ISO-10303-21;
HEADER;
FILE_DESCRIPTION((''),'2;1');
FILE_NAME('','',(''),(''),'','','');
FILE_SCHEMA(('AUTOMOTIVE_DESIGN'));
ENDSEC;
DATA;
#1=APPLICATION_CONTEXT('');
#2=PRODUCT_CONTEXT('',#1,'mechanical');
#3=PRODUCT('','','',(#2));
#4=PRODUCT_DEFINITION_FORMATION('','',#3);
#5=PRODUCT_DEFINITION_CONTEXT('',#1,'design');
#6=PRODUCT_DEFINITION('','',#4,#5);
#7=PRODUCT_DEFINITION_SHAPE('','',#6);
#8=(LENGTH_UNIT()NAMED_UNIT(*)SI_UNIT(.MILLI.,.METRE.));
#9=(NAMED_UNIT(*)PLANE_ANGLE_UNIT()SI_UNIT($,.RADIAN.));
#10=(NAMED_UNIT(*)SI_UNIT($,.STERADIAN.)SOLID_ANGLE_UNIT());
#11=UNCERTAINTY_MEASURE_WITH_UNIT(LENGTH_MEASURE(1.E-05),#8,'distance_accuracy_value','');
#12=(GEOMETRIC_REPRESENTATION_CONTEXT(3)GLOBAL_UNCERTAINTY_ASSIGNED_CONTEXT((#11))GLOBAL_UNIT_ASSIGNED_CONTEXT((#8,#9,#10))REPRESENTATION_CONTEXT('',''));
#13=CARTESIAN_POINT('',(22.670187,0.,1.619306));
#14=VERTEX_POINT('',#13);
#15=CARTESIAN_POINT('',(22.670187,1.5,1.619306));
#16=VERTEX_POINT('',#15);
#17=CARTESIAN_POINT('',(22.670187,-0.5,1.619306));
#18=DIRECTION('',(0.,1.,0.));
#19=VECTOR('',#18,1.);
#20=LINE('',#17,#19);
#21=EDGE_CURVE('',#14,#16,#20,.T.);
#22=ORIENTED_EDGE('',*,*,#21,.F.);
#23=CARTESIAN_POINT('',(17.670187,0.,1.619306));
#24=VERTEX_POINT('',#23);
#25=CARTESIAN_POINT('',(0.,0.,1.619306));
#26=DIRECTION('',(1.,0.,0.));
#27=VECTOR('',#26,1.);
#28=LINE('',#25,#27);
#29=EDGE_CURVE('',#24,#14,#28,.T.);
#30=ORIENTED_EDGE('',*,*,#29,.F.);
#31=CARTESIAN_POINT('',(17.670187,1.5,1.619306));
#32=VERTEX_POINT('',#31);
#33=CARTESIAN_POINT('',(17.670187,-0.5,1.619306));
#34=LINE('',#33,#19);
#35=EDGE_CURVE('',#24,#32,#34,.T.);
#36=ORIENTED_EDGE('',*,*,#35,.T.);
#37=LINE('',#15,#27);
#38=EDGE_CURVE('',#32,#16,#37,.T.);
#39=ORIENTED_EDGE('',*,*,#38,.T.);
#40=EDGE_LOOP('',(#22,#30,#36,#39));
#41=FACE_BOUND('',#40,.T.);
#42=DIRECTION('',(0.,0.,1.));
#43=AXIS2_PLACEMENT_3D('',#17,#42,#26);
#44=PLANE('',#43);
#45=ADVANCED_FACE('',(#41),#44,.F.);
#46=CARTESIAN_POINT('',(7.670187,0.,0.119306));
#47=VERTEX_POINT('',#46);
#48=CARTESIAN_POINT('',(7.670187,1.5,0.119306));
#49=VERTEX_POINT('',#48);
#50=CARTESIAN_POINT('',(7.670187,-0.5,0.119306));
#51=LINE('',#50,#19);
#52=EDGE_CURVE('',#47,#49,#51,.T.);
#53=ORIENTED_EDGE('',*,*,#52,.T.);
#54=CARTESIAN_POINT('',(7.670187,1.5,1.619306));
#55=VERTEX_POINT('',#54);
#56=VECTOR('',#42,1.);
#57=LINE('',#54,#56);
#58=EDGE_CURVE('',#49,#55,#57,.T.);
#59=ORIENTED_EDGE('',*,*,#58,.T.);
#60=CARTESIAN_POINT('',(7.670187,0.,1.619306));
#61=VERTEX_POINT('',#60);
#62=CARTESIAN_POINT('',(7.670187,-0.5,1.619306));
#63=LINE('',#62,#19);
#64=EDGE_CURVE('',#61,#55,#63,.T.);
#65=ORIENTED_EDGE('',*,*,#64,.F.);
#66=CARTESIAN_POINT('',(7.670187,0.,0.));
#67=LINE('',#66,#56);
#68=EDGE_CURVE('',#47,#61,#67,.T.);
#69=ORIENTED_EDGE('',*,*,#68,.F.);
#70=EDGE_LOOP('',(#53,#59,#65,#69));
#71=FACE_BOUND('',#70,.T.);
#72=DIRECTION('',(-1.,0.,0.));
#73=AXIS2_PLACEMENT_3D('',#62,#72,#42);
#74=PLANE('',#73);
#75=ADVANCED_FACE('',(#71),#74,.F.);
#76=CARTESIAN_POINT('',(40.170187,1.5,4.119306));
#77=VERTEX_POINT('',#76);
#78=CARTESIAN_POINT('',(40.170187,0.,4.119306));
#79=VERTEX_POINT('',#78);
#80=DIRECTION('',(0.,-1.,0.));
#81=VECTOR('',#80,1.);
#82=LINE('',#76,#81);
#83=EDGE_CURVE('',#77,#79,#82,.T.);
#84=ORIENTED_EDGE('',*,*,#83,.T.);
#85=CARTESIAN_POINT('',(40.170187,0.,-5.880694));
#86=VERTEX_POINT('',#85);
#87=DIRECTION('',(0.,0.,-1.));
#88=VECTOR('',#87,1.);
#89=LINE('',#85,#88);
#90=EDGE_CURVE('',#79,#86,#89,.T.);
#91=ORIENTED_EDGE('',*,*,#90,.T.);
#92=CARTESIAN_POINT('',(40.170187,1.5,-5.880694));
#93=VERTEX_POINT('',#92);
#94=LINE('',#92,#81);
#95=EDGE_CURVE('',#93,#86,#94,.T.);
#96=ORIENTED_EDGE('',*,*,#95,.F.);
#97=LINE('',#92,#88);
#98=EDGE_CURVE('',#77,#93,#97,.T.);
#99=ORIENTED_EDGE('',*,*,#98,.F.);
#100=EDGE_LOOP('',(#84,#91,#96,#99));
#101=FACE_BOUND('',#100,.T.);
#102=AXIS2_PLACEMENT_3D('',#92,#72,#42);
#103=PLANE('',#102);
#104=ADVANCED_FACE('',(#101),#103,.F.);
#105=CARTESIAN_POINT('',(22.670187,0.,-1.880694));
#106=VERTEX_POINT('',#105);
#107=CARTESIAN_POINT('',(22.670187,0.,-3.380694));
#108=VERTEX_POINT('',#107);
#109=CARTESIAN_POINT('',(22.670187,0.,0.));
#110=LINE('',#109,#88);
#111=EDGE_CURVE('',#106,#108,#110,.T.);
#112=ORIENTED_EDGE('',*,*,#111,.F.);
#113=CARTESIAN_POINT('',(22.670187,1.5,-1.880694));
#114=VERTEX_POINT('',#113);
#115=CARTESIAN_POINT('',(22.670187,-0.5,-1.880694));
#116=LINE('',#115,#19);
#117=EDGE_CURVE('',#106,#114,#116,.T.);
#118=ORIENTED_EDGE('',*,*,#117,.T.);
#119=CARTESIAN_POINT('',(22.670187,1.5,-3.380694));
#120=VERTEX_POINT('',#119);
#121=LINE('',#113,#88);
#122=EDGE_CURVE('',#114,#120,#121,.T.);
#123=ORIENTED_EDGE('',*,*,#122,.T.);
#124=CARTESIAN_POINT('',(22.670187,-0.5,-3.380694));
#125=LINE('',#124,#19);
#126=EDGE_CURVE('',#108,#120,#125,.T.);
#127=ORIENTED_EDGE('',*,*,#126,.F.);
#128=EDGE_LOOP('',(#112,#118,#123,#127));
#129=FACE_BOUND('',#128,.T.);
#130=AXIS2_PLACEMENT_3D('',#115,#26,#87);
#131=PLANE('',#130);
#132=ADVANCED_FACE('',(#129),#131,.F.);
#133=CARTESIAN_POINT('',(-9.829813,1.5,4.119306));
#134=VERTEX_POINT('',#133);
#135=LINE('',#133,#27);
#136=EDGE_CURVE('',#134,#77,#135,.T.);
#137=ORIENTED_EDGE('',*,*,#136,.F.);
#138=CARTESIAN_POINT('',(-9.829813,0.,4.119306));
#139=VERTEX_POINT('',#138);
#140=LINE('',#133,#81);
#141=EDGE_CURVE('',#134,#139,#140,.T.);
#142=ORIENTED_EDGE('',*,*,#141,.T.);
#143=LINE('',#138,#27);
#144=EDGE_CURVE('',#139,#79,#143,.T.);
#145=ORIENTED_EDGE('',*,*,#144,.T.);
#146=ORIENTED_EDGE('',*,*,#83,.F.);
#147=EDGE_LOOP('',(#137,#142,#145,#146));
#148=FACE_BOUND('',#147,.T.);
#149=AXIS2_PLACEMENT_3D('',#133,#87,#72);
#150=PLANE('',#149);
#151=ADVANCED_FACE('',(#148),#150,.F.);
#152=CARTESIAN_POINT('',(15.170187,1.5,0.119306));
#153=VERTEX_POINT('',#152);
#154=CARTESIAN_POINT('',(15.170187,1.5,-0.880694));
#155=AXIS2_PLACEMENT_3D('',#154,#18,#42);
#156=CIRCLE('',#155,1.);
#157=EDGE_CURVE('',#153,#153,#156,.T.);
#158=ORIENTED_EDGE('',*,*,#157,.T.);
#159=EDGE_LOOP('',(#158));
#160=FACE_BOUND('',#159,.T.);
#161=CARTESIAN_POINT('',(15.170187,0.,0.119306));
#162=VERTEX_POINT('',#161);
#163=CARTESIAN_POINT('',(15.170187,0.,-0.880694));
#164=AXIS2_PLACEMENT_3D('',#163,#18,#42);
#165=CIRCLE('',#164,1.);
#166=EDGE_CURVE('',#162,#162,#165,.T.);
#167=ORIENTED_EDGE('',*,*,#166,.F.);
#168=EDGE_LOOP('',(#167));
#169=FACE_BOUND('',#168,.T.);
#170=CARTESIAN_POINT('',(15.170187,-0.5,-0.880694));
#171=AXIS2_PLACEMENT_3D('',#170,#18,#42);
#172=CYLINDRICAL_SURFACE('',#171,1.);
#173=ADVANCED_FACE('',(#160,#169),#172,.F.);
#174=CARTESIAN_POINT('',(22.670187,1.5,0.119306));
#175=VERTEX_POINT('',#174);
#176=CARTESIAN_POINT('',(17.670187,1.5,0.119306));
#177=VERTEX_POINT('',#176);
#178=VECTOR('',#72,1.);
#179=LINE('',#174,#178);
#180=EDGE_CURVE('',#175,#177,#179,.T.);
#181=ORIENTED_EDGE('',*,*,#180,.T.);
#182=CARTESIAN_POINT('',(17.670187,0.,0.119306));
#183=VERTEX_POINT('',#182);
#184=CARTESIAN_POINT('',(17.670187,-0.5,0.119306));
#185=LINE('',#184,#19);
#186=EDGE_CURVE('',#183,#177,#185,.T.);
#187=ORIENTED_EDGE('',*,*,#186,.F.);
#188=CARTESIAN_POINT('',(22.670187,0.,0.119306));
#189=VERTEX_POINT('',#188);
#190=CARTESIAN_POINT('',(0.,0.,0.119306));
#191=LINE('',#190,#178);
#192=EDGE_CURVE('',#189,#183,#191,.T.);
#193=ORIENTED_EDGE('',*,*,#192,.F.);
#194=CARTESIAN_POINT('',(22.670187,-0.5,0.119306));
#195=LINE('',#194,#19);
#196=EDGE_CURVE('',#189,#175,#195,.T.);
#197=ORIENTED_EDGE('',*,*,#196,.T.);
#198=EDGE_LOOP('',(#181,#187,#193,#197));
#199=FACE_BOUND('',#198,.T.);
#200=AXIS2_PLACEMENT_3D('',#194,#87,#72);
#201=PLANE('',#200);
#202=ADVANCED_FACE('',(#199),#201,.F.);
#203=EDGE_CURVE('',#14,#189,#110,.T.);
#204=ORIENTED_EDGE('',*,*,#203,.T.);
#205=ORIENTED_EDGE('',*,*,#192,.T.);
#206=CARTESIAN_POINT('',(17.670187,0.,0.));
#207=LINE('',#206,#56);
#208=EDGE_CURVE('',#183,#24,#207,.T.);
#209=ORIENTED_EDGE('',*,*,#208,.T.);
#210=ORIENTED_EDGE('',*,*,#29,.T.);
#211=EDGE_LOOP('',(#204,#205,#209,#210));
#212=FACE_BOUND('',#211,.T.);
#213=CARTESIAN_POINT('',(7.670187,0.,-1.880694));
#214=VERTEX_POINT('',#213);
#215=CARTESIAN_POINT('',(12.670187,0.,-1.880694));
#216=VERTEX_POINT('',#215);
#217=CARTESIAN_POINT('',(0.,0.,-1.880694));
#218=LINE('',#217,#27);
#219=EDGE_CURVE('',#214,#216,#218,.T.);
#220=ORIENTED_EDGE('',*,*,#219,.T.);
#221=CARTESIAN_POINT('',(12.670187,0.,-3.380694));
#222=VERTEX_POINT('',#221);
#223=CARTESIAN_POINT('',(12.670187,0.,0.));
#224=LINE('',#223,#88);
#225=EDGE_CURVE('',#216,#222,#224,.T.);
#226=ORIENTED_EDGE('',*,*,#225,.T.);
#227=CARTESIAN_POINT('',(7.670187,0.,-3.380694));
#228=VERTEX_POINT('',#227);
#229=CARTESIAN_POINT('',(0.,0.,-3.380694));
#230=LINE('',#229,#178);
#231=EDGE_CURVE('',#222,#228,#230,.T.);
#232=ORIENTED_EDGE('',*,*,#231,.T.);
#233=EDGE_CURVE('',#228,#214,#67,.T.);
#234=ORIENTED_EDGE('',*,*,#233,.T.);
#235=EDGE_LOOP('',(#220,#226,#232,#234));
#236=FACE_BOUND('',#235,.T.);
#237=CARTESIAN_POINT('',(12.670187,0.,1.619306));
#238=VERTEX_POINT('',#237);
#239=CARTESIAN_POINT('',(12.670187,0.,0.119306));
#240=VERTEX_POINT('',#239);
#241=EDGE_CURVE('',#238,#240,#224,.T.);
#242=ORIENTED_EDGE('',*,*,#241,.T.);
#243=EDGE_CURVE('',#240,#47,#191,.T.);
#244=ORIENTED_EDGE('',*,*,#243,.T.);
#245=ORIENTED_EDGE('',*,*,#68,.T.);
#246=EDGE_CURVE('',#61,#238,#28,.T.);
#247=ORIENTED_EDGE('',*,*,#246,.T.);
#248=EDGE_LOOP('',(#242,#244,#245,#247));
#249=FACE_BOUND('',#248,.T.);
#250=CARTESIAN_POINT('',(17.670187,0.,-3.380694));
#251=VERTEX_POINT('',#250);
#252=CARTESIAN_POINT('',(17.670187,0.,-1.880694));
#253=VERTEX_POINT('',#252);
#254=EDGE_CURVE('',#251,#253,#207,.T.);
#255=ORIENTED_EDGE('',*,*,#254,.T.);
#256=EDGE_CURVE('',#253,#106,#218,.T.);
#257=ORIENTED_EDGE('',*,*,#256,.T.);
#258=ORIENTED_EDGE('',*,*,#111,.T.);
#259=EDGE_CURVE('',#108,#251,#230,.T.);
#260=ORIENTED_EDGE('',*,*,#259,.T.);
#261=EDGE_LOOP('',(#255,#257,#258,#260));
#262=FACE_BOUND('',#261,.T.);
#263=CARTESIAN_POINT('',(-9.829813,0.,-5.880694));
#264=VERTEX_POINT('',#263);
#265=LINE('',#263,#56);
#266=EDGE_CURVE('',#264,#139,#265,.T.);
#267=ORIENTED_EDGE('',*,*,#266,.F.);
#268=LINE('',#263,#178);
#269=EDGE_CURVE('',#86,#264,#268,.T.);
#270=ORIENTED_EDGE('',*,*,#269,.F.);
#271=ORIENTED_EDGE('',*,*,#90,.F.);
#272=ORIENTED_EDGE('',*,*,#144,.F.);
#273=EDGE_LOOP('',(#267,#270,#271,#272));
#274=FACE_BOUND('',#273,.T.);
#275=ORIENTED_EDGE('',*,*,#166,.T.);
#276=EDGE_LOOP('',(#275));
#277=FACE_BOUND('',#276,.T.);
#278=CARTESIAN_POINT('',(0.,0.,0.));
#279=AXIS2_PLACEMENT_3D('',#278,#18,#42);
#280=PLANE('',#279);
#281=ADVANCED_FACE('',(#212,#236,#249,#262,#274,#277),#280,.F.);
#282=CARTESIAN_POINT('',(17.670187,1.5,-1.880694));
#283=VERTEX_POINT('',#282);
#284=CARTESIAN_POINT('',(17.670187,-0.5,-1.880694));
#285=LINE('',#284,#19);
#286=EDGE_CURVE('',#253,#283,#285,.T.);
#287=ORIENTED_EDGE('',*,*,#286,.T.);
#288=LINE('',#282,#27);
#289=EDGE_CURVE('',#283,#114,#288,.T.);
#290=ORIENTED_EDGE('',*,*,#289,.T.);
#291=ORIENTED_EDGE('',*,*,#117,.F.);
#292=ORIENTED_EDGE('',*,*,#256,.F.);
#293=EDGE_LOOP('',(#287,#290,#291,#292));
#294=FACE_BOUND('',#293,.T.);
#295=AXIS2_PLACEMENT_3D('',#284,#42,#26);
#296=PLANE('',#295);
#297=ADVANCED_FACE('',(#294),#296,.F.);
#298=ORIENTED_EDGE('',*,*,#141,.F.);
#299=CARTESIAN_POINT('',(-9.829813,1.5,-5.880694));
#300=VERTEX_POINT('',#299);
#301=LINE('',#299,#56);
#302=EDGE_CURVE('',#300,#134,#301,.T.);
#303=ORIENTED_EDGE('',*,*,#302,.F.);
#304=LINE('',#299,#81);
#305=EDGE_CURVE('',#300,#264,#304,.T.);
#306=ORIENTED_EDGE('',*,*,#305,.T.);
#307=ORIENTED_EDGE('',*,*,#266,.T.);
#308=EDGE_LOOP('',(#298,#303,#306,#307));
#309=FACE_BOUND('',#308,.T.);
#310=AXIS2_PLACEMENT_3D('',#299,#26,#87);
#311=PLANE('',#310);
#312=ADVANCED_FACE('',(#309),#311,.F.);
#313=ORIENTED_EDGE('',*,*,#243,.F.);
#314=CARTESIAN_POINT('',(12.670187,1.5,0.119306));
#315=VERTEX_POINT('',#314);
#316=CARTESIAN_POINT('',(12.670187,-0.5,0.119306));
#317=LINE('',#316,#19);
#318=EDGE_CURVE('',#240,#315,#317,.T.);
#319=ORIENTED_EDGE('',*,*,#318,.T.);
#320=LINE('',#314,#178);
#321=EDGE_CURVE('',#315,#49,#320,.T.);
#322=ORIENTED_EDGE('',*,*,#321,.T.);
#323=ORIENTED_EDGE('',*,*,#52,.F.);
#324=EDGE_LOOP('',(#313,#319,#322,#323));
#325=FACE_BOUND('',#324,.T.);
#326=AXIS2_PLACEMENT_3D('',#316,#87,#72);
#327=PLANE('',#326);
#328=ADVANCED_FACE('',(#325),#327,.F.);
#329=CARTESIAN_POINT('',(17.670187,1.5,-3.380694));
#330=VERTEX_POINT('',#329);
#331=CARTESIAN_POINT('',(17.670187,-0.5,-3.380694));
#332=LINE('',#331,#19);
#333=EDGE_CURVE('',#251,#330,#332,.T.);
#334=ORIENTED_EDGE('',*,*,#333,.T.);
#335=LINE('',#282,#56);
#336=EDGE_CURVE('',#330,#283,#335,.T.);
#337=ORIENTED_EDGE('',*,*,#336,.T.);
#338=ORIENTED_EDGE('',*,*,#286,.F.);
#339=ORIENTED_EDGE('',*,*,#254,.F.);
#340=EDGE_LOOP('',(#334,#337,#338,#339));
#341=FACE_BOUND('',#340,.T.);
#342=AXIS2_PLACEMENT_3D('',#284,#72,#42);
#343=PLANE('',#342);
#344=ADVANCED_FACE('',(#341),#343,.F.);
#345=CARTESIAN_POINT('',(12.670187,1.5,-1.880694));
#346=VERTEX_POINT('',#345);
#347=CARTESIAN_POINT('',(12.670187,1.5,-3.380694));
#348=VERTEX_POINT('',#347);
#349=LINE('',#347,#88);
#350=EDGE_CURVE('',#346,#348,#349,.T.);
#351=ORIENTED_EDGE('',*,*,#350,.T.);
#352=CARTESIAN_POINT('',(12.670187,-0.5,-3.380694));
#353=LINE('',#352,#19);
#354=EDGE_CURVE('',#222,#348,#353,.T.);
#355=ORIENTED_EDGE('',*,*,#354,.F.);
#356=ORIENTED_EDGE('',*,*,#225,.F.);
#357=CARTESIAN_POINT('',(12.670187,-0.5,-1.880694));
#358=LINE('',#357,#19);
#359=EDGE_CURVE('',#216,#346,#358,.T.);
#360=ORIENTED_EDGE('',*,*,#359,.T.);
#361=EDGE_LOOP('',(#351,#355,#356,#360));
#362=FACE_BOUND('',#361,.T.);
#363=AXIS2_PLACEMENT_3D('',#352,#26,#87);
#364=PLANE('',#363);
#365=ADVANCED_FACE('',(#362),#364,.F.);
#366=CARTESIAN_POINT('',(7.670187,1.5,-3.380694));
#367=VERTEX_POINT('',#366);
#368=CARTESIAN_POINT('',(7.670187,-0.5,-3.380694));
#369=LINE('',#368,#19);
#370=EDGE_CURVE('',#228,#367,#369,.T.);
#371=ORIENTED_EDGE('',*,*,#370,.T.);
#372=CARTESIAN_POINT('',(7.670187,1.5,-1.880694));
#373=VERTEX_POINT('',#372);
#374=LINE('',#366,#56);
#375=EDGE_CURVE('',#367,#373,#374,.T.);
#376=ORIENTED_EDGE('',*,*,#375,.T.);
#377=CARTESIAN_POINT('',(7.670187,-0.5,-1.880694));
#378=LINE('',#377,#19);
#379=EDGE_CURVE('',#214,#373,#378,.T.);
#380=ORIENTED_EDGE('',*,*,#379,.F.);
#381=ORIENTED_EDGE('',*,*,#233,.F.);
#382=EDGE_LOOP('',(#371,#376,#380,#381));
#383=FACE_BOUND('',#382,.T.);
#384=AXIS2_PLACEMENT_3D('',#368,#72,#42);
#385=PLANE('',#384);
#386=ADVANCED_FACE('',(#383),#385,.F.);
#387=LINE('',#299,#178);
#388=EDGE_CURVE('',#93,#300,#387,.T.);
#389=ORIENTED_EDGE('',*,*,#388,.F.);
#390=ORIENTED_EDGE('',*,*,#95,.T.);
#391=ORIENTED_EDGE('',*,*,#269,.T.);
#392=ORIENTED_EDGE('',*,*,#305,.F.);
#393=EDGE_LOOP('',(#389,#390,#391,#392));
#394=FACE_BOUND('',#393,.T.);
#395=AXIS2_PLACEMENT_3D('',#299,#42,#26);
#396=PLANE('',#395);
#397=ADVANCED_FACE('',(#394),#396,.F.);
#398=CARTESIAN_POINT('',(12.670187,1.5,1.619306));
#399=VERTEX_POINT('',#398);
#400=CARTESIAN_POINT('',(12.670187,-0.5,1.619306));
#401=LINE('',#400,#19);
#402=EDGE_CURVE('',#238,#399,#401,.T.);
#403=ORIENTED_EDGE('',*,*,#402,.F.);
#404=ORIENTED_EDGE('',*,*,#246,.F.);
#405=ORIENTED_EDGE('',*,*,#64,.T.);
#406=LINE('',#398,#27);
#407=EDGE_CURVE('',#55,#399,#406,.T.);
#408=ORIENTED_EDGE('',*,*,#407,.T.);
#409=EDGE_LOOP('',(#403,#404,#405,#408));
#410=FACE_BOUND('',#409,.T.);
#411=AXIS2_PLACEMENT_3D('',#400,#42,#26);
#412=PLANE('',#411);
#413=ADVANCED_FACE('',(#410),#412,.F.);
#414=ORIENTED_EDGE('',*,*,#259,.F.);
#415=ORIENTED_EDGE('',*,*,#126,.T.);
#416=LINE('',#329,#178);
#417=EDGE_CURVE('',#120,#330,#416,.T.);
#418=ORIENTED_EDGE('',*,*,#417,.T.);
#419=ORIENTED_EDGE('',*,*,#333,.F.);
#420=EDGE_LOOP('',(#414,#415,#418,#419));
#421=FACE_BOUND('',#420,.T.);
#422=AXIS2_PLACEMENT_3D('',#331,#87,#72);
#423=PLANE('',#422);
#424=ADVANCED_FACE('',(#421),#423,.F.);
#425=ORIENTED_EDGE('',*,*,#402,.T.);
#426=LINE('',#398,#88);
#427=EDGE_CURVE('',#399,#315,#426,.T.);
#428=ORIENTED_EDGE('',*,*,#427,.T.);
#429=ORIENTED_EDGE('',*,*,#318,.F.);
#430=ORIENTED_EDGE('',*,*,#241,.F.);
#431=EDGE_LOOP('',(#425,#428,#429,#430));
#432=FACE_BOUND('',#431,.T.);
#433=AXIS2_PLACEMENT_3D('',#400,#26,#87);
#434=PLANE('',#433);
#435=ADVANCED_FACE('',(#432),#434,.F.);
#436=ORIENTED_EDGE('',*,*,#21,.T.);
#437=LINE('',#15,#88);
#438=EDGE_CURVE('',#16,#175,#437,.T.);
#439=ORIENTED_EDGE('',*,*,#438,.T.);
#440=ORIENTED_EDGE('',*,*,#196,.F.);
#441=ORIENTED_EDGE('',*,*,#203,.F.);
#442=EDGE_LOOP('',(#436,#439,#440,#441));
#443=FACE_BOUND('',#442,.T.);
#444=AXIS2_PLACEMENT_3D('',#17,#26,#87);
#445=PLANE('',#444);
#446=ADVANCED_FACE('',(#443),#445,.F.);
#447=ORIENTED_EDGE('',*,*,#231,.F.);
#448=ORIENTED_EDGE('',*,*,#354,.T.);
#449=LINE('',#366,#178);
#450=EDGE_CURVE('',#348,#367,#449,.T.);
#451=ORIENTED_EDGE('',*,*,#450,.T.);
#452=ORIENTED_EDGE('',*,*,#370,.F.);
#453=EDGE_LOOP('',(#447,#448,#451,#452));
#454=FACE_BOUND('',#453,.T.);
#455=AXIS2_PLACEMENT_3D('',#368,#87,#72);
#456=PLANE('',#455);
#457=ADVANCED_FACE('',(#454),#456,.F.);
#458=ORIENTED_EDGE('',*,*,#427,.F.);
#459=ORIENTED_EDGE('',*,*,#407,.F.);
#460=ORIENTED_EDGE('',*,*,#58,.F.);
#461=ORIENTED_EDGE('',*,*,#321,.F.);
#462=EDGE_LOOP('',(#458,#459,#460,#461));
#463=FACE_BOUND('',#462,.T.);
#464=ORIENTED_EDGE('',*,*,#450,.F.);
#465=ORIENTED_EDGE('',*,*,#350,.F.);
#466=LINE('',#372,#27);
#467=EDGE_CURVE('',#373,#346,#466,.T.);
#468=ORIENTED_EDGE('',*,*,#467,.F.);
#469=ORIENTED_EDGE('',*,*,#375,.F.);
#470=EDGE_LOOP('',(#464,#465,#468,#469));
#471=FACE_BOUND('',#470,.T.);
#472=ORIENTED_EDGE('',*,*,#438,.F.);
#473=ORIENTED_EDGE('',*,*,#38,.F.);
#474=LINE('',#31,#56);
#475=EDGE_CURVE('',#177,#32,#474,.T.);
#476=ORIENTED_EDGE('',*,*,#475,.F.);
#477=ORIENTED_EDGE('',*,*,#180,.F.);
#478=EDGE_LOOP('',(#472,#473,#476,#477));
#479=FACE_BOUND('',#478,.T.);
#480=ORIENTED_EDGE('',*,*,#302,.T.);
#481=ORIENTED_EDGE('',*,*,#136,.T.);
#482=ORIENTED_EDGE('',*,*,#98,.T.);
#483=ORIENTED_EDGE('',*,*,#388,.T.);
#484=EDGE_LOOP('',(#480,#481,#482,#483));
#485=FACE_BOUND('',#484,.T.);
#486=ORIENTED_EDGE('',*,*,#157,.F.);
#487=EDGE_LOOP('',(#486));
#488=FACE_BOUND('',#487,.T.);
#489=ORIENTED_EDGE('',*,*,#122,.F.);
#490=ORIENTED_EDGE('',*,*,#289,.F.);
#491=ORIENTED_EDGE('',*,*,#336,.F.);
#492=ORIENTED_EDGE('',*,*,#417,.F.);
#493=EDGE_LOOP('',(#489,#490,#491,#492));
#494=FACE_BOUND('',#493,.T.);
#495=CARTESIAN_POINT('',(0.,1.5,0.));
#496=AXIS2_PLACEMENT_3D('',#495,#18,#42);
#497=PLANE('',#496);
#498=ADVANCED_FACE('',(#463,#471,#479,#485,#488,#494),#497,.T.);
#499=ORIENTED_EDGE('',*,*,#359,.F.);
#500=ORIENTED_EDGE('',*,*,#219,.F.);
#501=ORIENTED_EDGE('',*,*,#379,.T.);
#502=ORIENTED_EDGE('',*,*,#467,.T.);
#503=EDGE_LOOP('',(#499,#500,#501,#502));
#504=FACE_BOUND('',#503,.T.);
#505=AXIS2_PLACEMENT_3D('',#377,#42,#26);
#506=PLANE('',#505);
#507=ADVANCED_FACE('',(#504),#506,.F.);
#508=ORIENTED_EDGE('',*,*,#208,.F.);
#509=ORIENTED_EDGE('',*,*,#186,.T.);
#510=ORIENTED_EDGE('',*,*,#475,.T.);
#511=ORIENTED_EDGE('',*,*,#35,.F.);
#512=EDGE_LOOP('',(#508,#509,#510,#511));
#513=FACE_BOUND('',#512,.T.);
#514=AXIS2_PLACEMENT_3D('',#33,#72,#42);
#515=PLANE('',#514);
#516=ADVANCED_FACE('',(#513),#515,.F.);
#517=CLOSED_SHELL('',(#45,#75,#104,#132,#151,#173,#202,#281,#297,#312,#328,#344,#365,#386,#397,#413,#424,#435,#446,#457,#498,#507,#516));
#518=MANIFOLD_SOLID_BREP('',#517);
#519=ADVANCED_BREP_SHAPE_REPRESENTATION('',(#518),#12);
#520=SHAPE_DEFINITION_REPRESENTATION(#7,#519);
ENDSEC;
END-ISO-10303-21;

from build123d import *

# Parameters (mm, degrees)
SKETCH1_W           = 50
SKETCH1_H           = 10
BOSS_EXTRUDE1_DEPTH = 1.5
SKETCH3_W           = 5
SKETCH3_H           = 1.5
CUT_EXTRUDE1_DEPTH  = 2
SKETCH2_R           = 1
CUT_EXTRUDE2_DEPTH  = 2


with BuildPart() as part:
    # Sketch1 → Boss-Extrude1 (new body)
    with BuildSketch(Plane(origin=(0, 0, 0), x_dir=(1, 0, 0), z_dir=(0, 1, 0))):
        with Locations((15.170187286, 0.880693734)):
            Rectangle(SKETCH1_W, SKETCH1_H)
    extrude(amount=BOSS_EXTRUDE1_DEPTH)

    # Sketch3 → Cut-Extrude1 (cut)
    with BuildSketch(Plane(origin=(0, 1.5, 0), x_dir=(1, 0, 0), z_dir=(0, 1, 0))):
        with Locations((10.170187286, 2.630693734)):
            Rectangle(SKETCH3_W, SKETCH3_H)
        with Locations((20.170187286, 2.630693734)):
            Rectangle(SKETCH3_W, SKETCH3_H)
        with Locations((20.170187286, -0.869306266)):
            Rectangle(SKETCH3_W, SKETCH3_H)
        with Locations((10.170187286, -0.869306266)):
            Rectangle(SKETCH3_W, SKETCH3_H)
    extrude(amount=-CUT_EXTRUDE1_DEPTH, mode=Mode.SUBTRACT)

    # Sketch2 → Cut-Extrude2 (cut)
    with BuildSketch(Plane(origin=(0, 1.5, 0), x_dir=(1, 0, 0), z_dir=(0, 1, 0))):
        with Locations((15.170187286, 0.880693734)):
            Circle(SKETCH2_R)
    extrude(amount=-CUT_EXTRUDE2_DEPTH, mode=Mode.SUBTRACT)


solid = part.part
